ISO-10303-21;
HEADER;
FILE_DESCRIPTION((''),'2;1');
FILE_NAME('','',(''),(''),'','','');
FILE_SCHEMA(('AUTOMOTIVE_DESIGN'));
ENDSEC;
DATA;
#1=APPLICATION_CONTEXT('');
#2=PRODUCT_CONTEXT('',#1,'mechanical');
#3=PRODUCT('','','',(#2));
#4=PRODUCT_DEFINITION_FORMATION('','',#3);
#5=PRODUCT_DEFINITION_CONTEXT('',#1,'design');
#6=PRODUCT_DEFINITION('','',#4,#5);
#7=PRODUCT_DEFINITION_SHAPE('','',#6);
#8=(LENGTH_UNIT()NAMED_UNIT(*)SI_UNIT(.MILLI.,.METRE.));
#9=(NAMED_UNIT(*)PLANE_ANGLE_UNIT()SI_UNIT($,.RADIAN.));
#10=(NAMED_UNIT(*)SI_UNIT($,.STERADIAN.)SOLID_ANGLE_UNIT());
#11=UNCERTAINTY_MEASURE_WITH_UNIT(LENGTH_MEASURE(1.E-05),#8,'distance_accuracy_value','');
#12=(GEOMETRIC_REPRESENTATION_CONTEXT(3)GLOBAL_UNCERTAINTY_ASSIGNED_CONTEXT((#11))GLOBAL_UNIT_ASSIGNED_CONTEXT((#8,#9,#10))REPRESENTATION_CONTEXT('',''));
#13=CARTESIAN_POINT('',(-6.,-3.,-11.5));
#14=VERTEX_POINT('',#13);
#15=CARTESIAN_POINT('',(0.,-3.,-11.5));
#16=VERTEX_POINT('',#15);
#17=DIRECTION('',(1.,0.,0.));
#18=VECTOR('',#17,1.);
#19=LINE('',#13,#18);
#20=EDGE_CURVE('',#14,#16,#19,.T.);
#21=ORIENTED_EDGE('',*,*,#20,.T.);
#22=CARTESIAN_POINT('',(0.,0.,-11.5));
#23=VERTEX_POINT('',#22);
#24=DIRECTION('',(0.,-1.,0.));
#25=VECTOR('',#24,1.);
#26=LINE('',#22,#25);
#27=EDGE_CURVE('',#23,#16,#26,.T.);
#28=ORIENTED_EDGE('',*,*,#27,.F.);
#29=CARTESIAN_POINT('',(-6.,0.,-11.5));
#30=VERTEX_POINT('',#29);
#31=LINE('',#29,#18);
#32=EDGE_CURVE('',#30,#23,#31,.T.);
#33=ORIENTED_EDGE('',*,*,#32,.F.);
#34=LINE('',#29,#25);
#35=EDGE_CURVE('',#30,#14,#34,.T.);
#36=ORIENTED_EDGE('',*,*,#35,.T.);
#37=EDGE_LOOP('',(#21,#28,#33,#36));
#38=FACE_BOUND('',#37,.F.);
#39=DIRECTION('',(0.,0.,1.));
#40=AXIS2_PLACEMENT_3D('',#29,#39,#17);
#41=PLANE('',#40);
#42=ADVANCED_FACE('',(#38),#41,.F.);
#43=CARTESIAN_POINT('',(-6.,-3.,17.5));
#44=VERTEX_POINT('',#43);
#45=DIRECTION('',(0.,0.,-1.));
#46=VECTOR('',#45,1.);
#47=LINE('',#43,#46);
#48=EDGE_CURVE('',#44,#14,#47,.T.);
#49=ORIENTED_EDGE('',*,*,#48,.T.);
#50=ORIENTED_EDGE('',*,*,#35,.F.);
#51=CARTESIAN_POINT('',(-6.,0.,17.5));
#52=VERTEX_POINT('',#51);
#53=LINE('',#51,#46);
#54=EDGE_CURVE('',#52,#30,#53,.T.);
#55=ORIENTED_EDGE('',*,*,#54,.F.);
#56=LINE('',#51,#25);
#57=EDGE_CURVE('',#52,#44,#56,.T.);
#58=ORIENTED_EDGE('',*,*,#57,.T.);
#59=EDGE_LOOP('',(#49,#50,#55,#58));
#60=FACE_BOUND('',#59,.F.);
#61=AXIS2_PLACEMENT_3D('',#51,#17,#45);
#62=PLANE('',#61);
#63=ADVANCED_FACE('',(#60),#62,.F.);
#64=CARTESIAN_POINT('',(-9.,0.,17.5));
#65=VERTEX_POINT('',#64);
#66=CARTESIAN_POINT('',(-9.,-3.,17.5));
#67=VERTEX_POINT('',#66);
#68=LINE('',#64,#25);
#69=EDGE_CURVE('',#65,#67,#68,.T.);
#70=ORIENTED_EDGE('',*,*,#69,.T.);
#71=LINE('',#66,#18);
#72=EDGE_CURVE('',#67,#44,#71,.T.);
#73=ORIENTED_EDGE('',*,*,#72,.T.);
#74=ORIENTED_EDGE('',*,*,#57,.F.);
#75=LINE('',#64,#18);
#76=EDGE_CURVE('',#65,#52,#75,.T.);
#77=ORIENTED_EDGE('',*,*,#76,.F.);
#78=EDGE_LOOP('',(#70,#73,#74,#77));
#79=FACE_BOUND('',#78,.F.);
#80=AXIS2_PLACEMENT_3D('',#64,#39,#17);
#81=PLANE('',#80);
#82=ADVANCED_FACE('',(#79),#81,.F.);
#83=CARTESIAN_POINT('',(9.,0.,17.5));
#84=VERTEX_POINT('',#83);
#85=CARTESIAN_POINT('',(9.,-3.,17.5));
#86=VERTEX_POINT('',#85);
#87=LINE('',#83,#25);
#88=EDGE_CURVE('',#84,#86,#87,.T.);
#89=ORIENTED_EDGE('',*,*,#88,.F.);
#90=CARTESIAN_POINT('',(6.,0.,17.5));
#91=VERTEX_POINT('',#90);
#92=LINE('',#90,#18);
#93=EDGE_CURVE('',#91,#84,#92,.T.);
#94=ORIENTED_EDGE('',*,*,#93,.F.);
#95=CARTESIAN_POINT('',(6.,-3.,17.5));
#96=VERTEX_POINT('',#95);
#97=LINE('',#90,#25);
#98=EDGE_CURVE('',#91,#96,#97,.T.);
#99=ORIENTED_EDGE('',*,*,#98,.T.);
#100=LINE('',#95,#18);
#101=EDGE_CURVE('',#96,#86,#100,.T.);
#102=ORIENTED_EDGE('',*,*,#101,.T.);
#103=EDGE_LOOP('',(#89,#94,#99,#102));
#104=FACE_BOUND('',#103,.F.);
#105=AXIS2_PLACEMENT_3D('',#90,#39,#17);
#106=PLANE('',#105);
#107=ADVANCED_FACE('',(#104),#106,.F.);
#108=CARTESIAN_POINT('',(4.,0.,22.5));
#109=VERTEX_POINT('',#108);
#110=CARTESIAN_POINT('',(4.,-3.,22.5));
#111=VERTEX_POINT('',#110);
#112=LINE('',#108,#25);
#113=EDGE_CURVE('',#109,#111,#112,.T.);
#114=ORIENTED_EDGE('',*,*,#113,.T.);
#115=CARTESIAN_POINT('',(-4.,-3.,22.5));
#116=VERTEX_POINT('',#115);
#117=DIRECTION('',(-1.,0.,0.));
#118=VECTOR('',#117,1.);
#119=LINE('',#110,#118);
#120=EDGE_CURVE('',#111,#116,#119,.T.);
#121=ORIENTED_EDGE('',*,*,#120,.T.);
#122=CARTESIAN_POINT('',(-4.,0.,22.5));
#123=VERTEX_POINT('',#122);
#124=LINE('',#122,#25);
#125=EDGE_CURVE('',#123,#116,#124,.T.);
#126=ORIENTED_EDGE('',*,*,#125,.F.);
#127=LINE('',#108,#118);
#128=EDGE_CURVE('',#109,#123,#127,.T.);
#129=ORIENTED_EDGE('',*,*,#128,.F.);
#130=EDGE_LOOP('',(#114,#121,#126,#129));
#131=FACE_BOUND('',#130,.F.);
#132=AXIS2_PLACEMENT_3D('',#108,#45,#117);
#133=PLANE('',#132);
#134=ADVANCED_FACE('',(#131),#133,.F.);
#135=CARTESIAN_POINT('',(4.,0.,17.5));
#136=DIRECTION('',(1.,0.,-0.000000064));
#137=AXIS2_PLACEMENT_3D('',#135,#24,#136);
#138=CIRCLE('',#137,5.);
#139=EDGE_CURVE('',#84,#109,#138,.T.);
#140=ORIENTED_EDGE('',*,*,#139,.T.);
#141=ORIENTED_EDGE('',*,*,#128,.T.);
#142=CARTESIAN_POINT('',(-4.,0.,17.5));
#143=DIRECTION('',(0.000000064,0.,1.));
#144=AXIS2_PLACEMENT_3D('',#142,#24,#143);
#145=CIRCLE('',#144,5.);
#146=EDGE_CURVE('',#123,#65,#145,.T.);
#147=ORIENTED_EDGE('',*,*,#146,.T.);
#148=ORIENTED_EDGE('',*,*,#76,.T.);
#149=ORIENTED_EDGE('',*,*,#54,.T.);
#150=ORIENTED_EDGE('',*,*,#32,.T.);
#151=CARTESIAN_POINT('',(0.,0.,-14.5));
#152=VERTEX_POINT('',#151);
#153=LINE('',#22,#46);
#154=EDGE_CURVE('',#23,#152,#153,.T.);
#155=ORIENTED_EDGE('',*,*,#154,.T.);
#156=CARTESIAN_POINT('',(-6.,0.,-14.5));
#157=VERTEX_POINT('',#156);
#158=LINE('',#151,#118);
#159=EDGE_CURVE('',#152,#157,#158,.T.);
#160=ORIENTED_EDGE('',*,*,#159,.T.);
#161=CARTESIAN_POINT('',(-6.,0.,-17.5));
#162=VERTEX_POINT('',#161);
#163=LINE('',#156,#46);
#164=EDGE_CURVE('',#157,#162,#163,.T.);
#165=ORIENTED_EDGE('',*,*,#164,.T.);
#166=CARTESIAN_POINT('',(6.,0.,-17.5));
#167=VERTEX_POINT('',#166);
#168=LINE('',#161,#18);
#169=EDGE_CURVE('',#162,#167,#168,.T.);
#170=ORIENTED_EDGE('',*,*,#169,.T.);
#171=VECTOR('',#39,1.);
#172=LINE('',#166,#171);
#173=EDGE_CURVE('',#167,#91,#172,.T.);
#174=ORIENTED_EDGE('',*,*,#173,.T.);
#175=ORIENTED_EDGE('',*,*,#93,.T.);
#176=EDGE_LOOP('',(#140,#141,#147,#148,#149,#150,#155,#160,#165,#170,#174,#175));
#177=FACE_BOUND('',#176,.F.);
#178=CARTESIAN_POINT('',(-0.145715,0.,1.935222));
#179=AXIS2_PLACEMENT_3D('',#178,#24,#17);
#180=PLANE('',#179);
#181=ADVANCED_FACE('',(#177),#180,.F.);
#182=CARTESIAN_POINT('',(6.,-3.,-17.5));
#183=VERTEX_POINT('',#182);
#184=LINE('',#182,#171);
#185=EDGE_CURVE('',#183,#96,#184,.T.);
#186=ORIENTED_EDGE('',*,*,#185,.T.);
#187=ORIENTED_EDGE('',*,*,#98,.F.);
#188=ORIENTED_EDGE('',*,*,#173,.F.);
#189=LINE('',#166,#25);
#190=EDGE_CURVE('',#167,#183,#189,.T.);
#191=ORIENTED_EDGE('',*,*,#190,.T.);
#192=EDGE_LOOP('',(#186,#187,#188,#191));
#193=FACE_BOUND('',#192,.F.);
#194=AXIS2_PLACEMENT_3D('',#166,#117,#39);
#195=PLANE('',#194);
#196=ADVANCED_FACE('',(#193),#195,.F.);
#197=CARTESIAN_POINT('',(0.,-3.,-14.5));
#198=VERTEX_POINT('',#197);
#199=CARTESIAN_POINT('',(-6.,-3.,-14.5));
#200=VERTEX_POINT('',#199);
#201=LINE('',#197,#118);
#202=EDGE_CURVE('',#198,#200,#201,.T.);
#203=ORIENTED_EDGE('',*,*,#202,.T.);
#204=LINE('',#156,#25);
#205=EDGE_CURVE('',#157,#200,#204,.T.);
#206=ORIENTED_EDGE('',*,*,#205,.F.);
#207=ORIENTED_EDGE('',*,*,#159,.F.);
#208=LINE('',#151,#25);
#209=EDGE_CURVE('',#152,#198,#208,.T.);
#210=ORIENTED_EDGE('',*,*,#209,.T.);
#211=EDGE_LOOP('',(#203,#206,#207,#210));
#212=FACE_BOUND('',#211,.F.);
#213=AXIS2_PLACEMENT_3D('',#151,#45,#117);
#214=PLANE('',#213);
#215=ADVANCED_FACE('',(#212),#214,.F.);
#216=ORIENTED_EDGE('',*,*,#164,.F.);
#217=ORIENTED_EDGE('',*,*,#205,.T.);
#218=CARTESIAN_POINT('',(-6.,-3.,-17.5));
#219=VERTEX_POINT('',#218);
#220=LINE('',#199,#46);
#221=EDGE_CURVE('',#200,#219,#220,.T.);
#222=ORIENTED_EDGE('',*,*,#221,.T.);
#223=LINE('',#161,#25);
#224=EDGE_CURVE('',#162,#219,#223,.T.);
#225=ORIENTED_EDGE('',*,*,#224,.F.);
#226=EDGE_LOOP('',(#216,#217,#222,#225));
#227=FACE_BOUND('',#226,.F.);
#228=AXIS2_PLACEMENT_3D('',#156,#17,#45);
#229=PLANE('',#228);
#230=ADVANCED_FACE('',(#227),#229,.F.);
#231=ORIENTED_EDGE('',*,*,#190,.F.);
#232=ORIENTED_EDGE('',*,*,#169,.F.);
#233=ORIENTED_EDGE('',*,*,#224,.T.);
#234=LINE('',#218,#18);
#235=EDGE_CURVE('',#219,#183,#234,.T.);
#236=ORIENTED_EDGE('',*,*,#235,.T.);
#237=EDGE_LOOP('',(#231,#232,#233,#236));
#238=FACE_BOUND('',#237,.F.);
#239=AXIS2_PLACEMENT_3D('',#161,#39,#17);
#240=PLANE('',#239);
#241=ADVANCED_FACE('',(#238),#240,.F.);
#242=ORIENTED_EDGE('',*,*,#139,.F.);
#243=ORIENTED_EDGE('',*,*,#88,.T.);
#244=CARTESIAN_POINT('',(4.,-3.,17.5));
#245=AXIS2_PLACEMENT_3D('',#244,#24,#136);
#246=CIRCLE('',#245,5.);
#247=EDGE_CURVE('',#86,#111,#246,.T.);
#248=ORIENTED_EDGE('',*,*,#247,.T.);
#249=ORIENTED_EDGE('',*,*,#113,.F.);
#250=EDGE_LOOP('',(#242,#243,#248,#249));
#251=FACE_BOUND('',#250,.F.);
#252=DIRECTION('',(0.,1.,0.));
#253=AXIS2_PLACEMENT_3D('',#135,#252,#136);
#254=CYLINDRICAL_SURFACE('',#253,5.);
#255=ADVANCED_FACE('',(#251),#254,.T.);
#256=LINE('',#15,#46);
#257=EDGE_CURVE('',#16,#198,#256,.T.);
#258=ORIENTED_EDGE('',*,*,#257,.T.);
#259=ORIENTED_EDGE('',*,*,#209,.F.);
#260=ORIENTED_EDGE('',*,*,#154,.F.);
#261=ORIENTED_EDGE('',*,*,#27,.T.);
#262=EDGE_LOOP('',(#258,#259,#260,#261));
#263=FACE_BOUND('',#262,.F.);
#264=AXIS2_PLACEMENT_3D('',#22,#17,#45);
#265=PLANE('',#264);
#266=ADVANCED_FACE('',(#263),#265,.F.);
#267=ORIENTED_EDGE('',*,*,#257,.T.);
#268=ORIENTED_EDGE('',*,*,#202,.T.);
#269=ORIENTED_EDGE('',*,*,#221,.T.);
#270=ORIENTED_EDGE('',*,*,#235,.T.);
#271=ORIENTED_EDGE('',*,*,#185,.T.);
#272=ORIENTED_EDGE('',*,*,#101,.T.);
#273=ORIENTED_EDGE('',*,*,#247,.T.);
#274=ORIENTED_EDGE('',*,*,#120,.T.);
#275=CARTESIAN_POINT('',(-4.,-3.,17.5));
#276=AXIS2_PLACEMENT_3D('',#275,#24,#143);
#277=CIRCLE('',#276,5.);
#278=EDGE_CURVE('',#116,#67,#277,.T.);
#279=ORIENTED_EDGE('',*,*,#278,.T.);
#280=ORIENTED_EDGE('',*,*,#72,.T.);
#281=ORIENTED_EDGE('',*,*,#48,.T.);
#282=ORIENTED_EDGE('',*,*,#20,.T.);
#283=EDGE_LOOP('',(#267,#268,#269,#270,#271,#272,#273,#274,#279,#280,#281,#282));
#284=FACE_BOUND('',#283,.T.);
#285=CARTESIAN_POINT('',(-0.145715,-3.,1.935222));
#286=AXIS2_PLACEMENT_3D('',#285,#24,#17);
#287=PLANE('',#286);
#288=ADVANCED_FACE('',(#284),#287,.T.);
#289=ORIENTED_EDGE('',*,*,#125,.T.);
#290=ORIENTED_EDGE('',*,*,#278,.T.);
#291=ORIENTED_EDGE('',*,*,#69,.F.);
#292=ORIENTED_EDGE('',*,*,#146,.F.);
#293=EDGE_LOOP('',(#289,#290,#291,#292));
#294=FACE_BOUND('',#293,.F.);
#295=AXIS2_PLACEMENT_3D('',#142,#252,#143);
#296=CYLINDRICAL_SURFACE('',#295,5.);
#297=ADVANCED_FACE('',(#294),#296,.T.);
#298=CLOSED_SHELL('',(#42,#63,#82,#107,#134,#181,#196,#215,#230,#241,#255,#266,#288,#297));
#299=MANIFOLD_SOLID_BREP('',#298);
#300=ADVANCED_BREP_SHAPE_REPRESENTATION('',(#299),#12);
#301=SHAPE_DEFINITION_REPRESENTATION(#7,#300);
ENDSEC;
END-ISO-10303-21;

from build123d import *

# Parameters (mm, degrees)
F1_DEPTH = 3


with BuildPart() as f1:
    # F0 (on Front) → F1 (new body)
    with BuildSketch(Plane.XZ):
        with BuildLine():
            Line((-6, -17.5), (6, -17.5))
            Line((6, -17.5), (6, 17.5))
            Line((6, 17.5), (9, 17.5))
            ThreePointArc((9, 17.5), (7.535534, 21.035534), (4, 22.5))
            Line((4, 22.5), (-4, 22.5))
            ThreePointArc((-4, 22.5), (-7.535534, 21.035534), (-9, 17.5))
            Line((-9, 17.5), (-6, 17.5))
            Line((-6, 17.5), (-6, -11.5))
            Line((-6, -11.5), (0, -11.5))
            Line((0, -11.5), (0, -14.5))
            Line((0, -14.5), (-6, -14.5))
            Line((-6, -14.5), (-6, -17.5))
        make_face()
    extrude(amount=F1_DEPTH)


solid = f1.part
